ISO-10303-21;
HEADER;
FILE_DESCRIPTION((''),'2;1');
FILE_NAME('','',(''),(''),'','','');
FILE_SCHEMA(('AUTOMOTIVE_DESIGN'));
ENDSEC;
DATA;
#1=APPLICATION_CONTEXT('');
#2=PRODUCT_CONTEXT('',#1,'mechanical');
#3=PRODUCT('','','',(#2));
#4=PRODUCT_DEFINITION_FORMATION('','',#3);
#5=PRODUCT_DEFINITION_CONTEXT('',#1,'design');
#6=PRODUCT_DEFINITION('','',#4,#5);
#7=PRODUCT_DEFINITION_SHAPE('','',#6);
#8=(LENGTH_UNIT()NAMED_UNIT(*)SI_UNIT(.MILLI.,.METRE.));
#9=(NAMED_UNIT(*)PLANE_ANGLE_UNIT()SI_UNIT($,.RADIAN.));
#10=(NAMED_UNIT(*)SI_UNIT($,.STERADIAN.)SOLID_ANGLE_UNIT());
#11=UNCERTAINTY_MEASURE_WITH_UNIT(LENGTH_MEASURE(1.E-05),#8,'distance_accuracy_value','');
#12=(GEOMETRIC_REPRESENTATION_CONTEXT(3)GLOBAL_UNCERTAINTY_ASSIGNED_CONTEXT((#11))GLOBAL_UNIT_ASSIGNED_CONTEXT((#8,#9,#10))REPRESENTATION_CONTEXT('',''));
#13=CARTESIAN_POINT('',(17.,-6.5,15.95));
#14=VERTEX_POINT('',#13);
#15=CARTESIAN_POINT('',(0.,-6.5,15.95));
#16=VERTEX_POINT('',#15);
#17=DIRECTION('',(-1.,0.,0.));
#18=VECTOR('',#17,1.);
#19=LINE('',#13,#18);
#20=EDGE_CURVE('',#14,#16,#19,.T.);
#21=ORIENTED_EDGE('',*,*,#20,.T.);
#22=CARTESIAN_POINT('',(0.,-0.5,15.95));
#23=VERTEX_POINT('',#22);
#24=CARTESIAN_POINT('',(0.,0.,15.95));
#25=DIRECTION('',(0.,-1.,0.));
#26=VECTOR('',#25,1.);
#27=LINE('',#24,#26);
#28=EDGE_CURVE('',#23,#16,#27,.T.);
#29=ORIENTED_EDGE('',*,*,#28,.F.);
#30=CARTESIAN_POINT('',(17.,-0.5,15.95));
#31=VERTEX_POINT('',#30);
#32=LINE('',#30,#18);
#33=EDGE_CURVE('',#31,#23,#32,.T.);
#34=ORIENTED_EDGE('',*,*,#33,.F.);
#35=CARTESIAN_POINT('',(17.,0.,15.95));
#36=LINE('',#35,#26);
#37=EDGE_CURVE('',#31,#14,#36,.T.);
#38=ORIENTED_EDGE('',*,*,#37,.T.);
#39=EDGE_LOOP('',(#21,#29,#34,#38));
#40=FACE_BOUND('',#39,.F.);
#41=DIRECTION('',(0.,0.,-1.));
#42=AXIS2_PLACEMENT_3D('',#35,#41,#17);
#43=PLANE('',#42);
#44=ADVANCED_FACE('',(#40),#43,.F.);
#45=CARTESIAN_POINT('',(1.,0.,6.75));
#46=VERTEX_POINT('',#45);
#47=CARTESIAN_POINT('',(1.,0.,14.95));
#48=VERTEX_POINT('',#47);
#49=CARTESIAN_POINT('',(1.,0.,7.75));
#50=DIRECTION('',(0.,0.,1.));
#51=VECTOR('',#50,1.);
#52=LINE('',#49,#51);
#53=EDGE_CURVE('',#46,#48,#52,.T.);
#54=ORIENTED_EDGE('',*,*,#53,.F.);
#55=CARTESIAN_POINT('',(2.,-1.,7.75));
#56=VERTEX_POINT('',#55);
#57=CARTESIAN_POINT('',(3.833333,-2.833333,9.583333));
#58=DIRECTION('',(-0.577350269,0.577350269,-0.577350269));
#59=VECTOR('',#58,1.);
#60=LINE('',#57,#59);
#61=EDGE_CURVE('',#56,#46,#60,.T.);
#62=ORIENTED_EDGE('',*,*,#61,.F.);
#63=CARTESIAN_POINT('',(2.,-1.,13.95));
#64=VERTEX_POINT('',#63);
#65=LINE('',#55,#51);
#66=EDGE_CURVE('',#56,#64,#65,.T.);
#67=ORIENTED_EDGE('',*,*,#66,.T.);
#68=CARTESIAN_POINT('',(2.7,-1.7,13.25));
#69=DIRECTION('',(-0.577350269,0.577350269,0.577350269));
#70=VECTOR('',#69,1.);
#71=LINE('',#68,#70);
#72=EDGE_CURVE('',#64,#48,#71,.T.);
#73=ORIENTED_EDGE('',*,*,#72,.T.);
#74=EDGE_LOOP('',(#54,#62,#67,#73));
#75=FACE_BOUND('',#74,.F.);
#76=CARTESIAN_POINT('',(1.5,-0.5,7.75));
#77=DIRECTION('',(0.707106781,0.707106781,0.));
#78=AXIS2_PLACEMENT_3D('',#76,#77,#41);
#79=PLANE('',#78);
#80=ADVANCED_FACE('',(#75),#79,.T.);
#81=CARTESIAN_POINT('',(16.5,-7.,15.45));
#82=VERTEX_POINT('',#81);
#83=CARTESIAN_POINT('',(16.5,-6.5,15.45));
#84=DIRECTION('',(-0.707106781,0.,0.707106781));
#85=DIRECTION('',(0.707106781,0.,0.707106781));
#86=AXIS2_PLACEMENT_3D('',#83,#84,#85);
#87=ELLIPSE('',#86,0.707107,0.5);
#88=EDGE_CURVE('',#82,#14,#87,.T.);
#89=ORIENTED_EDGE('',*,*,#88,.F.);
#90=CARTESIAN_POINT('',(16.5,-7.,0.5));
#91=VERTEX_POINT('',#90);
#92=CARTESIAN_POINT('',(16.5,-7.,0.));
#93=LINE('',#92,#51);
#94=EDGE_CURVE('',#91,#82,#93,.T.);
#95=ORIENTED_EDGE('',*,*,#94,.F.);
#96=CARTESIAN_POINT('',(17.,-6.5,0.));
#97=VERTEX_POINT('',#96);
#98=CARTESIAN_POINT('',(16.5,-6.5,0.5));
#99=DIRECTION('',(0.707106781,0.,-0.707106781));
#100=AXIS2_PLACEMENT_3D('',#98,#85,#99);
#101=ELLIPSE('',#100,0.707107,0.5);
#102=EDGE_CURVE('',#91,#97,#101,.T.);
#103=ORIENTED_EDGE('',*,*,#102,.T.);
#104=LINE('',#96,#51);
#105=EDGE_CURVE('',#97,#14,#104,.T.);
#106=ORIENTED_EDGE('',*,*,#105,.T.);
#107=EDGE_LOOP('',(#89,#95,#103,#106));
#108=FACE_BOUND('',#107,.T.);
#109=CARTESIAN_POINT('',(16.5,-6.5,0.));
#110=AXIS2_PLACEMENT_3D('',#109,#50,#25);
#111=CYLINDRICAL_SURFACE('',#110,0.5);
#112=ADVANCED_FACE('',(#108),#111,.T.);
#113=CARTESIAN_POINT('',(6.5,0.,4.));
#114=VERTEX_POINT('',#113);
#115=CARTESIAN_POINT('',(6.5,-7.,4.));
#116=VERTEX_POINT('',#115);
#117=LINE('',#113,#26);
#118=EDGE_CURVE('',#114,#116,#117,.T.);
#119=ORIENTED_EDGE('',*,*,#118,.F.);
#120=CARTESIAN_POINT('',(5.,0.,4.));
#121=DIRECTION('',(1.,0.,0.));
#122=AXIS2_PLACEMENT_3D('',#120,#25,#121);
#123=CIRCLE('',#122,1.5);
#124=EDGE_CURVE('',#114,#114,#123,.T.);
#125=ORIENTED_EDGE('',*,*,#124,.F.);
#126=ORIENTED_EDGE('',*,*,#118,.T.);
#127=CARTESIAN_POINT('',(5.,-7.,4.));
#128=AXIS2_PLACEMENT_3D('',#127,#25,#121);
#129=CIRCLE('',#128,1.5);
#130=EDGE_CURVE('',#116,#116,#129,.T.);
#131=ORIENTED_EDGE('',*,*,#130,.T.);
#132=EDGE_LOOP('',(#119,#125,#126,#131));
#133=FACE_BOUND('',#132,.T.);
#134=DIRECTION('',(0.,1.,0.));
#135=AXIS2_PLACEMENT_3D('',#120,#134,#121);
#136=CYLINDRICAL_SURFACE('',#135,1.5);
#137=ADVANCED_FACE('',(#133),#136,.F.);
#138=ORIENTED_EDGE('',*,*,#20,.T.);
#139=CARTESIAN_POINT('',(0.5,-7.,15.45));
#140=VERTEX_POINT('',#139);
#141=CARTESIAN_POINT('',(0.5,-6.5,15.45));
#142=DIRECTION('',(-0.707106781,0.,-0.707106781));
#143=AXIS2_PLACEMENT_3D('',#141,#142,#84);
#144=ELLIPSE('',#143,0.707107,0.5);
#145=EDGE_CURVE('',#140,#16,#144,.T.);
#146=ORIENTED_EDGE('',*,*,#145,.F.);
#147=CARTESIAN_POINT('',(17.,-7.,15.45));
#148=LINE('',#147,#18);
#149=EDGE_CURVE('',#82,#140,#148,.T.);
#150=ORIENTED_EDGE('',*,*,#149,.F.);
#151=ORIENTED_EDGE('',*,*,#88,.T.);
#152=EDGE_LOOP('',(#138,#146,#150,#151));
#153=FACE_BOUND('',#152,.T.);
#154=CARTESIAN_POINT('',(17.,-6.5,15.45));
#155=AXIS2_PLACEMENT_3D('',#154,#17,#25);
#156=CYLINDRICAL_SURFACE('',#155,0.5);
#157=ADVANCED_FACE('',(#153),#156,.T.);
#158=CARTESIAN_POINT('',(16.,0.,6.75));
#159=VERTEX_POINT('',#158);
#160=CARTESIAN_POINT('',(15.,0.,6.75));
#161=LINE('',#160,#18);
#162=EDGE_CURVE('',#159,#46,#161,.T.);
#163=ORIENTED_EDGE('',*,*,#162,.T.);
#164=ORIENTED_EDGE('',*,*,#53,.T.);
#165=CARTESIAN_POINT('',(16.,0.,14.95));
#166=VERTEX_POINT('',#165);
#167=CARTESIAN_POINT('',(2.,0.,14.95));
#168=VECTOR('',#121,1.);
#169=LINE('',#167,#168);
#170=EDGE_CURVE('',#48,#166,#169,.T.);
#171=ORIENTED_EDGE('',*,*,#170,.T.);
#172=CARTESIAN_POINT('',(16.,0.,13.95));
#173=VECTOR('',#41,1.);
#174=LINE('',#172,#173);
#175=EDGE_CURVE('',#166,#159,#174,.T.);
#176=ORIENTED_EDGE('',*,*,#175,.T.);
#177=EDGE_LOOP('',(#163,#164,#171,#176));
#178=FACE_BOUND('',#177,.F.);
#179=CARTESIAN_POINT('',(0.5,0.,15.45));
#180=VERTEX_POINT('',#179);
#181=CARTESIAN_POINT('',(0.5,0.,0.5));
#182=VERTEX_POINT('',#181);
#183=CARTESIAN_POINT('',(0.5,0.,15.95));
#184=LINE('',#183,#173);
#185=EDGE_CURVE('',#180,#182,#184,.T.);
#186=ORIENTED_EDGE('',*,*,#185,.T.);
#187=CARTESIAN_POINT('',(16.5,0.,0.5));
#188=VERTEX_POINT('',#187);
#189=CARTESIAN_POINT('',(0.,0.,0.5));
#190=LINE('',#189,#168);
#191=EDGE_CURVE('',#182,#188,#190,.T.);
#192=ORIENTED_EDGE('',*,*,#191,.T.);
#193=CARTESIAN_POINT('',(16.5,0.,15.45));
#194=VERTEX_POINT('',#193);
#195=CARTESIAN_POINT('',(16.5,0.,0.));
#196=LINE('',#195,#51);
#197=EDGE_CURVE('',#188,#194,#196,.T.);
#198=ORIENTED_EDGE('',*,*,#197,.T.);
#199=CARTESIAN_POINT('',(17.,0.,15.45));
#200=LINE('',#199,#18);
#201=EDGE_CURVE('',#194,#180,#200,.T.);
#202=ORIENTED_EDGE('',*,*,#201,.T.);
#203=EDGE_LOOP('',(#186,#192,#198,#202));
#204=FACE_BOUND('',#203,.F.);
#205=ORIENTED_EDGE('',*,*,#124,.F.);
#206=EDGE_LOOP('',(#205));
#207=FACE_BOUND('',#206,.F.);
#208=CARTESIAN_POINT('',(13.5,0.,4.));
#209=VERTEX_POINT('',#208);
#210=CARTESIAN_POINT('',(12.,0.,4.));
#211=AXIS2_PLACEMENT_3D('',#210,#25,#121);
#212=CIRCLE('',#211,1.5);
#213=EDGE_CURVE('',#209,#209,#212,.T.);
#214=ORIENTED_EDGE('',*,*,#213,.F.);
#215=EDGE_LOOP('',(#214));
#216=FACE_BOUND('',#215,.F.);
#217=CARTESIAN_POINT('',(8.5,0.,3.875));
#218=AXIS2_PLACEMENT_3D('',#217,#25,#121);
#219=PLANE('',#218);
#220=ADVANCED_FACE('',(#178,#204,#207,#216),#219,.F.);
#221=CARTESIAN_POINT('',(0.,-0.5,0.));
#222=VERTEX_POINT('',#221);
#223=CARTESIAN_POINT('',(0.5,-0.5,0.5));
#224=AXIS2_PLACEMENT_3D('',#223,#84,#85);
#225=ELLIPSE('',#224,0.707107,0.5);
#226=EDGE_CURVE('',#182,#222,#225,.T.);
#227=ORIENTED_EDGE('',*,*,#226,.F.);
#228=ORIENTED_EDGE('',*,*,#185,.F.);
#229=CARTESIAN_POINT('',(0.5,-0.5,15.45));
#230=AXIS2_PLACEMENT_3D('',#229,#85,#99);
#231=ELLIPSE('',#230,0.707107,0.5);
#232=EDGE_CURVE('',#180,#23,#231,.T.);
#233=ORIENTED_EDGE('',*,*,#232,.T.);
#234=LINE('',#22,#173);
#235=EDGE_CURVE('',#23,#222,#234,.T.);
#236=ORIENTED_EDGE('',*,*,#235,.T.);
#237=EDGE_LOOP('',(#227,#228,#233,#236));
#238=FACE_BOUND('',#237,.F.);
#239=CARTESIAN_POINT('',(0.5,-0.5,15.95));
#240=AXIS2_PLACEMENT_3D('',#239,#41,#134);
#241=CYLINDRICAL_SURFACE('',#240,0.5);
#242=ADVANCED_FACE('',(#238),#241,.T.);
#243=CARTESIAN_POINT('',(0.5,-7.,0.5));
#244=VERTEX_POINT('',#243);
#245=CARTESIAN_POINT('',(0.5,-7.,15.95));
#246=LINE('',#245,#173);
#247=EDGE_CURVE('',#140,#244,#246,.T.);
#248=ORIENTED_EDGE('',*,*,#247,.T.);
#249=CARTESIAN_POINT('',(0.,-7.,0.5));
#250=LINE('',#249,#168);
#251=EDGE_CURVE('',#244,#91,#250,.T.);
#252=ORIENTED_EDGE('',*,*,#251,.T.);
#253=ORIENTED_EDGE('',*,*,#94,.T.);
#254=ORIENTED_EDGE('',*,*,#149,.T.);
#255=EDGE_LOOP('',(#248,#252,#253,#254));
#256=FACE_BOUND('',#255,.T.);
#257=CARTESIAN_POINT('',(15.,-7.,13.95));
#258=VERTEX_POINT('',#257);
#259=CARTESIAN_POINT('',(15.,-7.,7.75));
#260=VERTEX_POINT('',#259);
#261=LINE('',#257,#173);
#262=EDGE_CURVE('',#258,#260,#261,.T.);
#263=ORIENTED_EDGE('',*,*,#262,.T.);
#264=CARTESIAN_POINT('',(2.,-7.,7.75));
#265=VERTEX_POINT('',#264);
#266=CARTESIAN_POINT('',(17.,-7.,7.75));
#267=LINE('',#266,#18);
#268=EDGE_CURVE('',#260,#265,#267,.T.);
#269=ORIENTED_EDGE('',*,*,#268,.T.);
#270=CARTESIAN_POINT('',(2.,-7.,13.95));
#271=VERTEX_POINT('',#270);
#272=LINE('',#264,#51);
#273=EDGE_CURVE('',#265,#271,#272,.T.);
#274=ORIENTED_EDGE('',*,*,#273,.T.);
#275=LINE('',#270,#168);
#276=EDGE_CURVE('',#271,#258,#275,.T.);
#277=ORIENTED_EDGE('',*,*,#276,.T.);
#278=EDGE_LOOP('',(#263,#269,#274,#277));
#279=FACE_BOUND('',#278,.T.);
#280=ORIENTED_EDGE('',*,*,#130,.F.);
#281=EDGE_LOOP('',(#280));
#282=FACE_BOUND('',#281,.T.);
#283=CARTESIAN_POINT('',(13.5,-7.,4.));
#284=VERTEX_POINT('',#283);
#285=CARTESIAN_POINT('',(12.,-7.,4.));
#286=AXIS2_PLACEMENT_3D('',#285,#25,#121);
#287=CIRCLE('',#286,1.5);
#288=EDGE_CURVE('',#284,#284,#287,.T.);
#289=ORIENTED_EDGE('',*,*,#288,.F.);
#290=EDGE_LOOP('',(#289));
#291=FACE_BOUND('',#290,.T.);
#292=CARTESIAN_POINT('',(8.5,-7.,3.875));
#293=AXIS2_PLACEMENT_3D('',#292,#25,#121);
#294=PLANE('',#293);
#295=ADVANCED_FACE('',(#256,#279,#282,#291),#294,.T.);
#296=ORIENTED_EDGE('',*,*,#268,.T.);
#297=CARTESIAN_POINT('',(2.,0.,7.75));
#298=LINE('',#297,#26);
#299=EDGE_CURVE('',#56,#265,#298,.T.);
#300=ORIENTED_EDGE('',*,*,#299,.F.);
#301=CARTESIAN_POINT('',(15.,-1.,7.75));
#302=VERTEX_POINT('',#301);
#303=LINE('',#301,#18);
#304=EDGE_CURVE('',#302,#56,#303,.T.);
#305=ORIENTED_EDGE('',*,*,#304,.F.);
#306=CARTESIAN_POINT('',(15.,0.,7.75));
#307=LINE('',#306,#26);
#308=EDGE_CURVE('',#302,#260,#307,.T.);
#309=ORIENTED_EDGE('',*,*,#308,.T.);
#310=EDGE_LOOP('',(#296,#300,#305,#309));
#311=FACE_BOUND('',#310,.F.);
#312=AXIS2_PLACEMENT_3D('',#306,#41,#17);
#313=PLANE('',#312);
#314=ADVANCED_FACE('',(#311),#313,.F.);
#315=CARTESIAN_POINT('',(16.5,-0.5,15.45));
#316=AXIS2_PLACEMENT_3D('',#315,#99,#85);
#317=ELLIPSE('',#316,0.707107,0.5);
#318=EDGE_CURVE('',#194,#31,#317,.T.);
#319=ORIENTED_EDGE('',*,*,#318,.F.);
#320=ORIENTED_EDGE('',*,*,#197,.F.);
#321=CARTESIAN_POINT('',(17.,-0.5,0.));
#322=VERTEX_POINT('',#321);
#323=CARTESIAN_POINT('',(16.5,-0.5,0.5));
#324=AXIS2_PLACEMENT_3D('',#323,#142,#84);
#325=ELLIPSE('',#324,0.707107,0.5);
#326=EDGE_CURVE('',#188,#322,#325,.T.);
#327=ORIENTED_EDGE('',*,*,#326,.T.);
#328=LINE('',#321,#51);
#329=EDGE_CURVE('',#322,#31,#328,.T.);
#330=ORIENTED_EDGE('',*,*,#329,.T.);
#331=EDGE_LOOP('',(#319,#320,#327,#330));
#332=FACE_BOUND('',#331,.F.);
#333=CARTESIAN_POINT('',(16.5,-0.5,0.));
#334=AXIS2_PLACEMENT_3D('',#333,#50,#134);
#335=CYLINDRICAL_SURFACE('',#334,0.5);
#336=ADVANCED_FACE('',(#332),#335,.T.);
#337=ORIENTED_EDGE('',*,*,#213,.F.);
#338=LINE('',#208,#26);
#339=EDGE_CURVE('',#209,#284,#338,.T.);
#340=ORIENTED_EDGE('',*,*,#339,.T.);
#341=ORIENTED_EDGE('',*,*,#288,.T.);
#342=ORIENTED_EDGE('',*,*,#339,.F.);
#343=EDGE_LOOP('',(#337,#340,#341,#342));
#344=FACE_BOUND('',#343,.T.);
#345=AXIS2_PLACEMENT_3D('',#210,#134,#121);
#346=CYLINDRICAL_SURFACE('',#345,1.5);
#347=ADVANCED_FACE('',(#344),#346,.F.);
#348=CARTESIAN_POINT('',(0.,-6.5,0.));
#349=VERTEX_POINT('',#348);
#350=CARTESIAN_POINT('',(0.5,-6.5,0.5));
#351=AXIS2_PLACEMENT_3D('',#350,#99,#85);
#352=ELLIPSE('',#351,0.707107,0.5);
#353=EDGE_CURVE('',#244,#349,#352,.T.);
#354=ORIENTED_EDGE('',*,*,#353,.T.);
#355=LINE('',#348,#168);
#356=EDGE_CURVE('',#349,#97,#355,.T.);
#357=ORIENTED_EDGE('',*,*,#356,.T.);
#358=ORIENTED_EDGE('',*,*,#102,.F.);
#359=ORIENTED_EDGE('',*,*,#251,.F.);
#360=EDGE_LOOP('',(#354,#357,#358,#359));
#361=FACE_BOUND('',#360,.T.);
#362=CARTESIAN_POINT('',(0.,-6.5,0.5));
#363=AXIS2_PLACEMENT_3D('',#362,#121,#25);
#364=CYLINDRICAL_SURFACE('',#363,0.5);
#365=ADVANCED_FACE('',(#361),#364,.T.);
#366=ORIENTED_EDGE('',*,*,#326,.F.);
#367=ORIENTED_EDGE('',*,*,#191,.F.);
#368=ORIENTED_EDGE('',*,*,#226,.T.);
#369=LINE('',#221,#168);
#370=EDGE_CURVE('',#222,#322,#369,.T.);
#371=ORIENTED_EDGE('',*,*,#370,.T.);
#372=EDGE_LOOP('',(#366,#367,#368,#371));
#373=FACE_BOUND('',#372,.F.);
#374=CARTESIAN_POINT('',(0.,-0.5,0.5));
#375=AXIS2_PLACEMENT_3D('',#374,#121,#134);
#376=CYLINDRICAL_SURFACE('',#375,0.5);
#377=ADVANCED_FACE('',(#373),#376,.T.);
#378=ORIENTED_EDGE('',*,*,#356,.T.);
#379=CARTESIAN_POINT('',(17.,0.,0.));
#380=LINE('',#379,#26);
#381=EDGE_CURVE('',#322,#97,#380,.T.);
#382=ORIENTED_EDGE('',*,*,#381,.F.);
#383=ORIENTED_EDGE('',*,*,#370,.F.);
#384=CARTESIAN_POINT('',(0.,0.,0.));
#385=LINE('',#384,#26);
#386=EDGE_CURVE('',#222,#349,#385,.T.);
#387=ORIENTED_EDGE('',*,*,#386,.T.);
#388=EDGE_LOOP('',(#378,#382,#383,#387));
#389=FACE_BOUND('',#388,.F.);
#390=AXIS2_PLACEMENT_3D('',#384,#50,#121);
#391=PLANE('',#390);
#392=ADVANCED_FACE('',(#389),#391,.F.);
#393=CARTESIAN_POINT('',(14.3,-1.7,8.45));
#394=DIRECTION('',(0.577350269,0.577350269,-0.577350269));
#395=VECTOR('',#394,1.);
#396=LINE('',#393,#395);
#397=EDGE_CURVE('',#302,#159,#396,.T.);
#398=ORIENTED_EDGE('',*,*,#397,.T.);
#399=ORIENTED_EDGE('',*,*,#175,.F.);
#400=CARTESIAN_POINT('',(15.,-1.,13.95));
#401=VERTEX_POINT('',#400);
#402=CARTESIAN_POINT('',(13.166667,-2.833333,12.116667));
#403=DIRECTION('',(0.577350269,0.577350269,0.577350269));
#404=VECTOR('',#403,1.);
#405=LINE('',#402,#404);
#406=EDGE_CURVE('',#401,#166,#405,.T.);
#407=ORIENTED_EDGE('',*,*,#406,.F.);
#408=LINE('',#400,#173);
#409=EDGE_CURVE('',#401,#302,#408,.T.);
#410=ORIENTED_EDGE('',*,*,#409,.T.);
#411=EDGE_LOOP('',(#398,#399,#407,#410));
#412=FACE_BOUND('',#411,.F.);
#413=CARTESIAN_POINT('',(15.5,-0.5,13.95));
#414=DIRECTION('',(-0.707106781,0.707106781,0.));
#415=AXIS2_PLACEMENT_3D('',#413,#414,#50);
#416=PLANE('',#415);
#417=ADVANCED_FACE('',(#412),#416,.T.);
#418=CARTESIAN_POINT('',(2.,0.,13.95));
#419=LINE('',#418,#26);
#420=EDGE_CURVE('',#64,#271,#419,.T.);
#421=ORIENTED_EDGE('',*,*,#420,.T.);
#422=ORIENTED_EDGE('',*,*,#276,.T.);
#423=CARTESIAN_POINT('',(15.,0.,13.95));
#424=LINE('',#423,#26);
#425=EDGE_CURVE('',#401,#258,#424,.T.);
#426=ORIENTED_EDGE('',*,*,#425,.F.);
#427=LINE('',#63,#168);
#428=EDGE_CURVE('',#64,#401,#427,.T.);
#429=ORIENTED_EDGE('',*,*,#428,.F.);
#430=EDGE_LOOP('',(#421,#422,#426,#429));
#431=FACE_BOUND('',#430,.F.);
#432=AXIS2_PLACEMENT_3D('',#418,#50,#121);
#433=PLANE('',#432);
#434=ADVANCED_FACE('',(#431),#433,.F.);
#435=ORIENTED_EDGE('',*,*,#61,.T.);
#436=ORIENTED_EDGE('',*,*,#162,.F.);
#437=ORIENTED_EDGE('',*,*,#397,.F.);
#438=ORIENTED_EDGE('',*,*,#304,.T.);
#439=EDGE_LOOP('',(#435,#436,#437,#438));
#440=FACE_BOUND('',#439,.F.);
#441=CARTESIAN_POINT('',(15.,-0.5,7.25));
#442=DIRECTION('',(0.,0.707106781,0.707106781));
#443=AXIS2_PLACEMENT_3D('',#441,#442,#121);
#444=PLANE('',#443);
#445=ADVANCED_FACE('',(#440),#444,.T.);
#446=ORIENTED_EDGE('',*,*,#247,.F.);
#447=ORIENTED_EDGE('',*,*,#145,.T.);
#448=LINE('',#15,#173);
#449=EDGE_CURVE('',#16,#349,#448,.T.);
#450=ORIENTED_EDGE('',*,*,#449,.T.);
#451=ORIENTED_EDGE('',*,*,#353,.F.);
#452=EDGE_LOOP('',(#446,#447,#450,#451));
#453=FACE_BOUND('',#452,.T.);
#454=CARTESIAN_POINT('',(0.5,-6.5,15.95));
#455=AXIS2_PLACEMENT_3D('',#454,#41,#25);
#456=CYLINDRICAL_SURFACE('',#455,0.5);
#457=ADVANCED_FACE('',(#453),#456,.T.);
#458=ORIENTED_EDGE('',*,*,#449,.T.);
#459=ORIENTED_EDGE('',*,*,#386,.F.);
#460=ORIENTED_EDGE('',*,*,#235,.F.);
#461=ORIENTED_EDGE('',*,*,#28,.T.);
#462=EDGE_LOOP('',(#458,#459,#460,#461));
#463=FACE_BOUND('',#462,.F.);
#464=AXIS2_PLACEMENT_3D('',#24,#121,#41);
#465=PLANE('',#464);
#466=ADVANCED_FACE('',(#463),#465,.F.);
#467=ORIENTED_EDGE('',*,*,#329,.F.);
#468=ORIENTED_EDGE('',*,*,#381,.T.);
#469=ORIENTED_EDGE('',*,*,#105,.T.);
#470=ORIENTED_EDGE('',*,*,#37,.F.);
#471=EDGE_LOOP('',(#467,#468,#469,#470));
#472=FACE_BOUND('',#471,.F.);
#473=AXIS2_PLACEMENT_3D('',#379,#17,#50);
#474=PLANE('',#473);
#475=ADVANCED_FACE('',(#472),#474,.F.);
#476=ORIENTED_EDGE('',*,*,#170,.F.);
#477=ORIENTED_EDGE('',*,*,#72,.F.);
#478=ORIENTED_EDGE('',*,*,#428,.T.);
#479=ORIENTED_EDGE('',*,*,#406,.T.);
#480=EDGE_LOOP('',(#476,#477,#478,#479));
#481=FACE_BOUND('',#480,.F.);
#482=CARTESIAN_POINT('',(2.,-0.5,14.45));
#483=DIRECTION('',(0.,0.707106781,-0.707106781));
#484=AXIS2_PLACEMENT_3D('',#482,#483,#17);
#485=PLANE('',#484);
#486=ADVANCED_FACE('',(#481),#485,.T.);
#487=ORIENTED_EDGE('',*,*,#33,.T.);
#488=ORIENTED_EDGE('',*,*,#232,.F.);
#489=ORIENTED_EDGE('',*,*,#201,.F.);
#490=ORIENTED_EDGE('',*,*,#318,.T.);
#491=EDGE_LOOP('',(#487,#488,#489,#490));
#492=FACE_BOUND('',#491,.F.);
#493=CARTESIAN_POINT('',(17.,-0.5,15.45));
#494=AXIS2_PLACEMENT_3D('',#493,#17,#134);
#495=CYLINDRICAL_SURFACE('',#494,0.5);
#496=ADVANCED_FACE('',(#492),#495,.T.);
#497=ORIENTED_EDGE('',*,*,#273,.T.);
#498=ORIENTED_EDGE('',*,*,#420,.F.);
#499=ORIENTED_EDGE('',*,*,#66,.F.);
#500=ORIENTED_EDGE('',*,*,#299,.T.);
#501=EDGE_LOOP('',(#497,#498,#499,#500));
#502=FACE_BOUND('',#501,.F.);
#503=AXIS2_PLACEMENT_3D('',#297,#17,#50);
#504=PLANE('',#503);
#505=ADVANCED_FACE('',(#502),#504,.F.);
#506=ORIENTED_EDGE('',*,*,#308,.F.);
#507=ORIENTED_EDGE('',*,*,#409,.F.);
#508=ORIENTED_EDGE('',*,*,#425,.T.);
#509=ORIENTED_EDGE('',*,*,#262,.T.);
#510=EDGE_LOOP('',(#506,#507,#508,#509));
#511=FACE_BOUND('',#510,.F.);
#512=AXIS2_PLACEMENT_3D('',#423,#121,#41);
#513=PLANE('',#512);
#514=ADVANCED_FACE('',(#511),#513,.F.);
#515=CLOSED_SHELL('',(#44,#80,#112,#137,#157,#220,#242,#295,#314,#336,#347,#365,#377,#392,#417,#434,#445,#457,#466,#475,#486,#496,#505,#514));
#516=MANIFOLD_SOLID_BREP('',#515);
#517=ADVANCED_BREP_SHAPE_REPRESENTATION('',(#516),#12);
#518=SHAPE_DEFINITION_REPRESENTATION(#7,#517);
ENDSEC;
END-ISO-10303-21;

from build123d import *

# Parameters (mm, degrees)
F0_R     = 1.5
F1_DEPTH = 7
F2_SIZE  = 1
F3_R     = 0.5


with BuildPart() as f1:
    # F0 (on Front) → F1 (new body)
    with BuildSketch(Plane.XZ):
        Polygon((0, 7.75), (0, 0), (17, 0), (17, 7.75), (15, 7.75), (2, 7.75), align=None)
        with Locations((5, 4)):
            Circle(F0_R, mode=Mode.SUBTRACT)
        with Locations((12, 4)):
            Circle(F0_R, mode=Mode.SUBTRACT)
        Polygon((0, 15.95), (0, 7.75), (2, 7.75), (2, 13.95), (15, 13.95), (15, 7.75), (17, 7.75), (17, 15.95), align=None)
    extrude(amount=F1_DEPTH)

    # F2
    f2_edges = [f1.edges().sort_by_distance(p)[0] for p in [
        (8.5, 0, 7.75),
        (2, 0, 10.85),
        (8.5, 0, 13.95),
        (15, 0, 10.85),
    ]]
    chamfer(f2_edges, length=F2_SIZE)

    # F3
    f3_edges = [f1.edges().sort_by_distance(p)[0] for p in [
        (8.5, -7, 0),
        (17, -7, 7.975),
        (8.5, -7, 15.95),
        (0, -7, 7.975),
        (17, 0, 7.975),
        (8.5, 0, 0),
        (0, 0, 7.975),
        (8.5, 0, 15.95),
    ]]
    fillet(f3_edges, radius=F3_R)


solid = f1.part
